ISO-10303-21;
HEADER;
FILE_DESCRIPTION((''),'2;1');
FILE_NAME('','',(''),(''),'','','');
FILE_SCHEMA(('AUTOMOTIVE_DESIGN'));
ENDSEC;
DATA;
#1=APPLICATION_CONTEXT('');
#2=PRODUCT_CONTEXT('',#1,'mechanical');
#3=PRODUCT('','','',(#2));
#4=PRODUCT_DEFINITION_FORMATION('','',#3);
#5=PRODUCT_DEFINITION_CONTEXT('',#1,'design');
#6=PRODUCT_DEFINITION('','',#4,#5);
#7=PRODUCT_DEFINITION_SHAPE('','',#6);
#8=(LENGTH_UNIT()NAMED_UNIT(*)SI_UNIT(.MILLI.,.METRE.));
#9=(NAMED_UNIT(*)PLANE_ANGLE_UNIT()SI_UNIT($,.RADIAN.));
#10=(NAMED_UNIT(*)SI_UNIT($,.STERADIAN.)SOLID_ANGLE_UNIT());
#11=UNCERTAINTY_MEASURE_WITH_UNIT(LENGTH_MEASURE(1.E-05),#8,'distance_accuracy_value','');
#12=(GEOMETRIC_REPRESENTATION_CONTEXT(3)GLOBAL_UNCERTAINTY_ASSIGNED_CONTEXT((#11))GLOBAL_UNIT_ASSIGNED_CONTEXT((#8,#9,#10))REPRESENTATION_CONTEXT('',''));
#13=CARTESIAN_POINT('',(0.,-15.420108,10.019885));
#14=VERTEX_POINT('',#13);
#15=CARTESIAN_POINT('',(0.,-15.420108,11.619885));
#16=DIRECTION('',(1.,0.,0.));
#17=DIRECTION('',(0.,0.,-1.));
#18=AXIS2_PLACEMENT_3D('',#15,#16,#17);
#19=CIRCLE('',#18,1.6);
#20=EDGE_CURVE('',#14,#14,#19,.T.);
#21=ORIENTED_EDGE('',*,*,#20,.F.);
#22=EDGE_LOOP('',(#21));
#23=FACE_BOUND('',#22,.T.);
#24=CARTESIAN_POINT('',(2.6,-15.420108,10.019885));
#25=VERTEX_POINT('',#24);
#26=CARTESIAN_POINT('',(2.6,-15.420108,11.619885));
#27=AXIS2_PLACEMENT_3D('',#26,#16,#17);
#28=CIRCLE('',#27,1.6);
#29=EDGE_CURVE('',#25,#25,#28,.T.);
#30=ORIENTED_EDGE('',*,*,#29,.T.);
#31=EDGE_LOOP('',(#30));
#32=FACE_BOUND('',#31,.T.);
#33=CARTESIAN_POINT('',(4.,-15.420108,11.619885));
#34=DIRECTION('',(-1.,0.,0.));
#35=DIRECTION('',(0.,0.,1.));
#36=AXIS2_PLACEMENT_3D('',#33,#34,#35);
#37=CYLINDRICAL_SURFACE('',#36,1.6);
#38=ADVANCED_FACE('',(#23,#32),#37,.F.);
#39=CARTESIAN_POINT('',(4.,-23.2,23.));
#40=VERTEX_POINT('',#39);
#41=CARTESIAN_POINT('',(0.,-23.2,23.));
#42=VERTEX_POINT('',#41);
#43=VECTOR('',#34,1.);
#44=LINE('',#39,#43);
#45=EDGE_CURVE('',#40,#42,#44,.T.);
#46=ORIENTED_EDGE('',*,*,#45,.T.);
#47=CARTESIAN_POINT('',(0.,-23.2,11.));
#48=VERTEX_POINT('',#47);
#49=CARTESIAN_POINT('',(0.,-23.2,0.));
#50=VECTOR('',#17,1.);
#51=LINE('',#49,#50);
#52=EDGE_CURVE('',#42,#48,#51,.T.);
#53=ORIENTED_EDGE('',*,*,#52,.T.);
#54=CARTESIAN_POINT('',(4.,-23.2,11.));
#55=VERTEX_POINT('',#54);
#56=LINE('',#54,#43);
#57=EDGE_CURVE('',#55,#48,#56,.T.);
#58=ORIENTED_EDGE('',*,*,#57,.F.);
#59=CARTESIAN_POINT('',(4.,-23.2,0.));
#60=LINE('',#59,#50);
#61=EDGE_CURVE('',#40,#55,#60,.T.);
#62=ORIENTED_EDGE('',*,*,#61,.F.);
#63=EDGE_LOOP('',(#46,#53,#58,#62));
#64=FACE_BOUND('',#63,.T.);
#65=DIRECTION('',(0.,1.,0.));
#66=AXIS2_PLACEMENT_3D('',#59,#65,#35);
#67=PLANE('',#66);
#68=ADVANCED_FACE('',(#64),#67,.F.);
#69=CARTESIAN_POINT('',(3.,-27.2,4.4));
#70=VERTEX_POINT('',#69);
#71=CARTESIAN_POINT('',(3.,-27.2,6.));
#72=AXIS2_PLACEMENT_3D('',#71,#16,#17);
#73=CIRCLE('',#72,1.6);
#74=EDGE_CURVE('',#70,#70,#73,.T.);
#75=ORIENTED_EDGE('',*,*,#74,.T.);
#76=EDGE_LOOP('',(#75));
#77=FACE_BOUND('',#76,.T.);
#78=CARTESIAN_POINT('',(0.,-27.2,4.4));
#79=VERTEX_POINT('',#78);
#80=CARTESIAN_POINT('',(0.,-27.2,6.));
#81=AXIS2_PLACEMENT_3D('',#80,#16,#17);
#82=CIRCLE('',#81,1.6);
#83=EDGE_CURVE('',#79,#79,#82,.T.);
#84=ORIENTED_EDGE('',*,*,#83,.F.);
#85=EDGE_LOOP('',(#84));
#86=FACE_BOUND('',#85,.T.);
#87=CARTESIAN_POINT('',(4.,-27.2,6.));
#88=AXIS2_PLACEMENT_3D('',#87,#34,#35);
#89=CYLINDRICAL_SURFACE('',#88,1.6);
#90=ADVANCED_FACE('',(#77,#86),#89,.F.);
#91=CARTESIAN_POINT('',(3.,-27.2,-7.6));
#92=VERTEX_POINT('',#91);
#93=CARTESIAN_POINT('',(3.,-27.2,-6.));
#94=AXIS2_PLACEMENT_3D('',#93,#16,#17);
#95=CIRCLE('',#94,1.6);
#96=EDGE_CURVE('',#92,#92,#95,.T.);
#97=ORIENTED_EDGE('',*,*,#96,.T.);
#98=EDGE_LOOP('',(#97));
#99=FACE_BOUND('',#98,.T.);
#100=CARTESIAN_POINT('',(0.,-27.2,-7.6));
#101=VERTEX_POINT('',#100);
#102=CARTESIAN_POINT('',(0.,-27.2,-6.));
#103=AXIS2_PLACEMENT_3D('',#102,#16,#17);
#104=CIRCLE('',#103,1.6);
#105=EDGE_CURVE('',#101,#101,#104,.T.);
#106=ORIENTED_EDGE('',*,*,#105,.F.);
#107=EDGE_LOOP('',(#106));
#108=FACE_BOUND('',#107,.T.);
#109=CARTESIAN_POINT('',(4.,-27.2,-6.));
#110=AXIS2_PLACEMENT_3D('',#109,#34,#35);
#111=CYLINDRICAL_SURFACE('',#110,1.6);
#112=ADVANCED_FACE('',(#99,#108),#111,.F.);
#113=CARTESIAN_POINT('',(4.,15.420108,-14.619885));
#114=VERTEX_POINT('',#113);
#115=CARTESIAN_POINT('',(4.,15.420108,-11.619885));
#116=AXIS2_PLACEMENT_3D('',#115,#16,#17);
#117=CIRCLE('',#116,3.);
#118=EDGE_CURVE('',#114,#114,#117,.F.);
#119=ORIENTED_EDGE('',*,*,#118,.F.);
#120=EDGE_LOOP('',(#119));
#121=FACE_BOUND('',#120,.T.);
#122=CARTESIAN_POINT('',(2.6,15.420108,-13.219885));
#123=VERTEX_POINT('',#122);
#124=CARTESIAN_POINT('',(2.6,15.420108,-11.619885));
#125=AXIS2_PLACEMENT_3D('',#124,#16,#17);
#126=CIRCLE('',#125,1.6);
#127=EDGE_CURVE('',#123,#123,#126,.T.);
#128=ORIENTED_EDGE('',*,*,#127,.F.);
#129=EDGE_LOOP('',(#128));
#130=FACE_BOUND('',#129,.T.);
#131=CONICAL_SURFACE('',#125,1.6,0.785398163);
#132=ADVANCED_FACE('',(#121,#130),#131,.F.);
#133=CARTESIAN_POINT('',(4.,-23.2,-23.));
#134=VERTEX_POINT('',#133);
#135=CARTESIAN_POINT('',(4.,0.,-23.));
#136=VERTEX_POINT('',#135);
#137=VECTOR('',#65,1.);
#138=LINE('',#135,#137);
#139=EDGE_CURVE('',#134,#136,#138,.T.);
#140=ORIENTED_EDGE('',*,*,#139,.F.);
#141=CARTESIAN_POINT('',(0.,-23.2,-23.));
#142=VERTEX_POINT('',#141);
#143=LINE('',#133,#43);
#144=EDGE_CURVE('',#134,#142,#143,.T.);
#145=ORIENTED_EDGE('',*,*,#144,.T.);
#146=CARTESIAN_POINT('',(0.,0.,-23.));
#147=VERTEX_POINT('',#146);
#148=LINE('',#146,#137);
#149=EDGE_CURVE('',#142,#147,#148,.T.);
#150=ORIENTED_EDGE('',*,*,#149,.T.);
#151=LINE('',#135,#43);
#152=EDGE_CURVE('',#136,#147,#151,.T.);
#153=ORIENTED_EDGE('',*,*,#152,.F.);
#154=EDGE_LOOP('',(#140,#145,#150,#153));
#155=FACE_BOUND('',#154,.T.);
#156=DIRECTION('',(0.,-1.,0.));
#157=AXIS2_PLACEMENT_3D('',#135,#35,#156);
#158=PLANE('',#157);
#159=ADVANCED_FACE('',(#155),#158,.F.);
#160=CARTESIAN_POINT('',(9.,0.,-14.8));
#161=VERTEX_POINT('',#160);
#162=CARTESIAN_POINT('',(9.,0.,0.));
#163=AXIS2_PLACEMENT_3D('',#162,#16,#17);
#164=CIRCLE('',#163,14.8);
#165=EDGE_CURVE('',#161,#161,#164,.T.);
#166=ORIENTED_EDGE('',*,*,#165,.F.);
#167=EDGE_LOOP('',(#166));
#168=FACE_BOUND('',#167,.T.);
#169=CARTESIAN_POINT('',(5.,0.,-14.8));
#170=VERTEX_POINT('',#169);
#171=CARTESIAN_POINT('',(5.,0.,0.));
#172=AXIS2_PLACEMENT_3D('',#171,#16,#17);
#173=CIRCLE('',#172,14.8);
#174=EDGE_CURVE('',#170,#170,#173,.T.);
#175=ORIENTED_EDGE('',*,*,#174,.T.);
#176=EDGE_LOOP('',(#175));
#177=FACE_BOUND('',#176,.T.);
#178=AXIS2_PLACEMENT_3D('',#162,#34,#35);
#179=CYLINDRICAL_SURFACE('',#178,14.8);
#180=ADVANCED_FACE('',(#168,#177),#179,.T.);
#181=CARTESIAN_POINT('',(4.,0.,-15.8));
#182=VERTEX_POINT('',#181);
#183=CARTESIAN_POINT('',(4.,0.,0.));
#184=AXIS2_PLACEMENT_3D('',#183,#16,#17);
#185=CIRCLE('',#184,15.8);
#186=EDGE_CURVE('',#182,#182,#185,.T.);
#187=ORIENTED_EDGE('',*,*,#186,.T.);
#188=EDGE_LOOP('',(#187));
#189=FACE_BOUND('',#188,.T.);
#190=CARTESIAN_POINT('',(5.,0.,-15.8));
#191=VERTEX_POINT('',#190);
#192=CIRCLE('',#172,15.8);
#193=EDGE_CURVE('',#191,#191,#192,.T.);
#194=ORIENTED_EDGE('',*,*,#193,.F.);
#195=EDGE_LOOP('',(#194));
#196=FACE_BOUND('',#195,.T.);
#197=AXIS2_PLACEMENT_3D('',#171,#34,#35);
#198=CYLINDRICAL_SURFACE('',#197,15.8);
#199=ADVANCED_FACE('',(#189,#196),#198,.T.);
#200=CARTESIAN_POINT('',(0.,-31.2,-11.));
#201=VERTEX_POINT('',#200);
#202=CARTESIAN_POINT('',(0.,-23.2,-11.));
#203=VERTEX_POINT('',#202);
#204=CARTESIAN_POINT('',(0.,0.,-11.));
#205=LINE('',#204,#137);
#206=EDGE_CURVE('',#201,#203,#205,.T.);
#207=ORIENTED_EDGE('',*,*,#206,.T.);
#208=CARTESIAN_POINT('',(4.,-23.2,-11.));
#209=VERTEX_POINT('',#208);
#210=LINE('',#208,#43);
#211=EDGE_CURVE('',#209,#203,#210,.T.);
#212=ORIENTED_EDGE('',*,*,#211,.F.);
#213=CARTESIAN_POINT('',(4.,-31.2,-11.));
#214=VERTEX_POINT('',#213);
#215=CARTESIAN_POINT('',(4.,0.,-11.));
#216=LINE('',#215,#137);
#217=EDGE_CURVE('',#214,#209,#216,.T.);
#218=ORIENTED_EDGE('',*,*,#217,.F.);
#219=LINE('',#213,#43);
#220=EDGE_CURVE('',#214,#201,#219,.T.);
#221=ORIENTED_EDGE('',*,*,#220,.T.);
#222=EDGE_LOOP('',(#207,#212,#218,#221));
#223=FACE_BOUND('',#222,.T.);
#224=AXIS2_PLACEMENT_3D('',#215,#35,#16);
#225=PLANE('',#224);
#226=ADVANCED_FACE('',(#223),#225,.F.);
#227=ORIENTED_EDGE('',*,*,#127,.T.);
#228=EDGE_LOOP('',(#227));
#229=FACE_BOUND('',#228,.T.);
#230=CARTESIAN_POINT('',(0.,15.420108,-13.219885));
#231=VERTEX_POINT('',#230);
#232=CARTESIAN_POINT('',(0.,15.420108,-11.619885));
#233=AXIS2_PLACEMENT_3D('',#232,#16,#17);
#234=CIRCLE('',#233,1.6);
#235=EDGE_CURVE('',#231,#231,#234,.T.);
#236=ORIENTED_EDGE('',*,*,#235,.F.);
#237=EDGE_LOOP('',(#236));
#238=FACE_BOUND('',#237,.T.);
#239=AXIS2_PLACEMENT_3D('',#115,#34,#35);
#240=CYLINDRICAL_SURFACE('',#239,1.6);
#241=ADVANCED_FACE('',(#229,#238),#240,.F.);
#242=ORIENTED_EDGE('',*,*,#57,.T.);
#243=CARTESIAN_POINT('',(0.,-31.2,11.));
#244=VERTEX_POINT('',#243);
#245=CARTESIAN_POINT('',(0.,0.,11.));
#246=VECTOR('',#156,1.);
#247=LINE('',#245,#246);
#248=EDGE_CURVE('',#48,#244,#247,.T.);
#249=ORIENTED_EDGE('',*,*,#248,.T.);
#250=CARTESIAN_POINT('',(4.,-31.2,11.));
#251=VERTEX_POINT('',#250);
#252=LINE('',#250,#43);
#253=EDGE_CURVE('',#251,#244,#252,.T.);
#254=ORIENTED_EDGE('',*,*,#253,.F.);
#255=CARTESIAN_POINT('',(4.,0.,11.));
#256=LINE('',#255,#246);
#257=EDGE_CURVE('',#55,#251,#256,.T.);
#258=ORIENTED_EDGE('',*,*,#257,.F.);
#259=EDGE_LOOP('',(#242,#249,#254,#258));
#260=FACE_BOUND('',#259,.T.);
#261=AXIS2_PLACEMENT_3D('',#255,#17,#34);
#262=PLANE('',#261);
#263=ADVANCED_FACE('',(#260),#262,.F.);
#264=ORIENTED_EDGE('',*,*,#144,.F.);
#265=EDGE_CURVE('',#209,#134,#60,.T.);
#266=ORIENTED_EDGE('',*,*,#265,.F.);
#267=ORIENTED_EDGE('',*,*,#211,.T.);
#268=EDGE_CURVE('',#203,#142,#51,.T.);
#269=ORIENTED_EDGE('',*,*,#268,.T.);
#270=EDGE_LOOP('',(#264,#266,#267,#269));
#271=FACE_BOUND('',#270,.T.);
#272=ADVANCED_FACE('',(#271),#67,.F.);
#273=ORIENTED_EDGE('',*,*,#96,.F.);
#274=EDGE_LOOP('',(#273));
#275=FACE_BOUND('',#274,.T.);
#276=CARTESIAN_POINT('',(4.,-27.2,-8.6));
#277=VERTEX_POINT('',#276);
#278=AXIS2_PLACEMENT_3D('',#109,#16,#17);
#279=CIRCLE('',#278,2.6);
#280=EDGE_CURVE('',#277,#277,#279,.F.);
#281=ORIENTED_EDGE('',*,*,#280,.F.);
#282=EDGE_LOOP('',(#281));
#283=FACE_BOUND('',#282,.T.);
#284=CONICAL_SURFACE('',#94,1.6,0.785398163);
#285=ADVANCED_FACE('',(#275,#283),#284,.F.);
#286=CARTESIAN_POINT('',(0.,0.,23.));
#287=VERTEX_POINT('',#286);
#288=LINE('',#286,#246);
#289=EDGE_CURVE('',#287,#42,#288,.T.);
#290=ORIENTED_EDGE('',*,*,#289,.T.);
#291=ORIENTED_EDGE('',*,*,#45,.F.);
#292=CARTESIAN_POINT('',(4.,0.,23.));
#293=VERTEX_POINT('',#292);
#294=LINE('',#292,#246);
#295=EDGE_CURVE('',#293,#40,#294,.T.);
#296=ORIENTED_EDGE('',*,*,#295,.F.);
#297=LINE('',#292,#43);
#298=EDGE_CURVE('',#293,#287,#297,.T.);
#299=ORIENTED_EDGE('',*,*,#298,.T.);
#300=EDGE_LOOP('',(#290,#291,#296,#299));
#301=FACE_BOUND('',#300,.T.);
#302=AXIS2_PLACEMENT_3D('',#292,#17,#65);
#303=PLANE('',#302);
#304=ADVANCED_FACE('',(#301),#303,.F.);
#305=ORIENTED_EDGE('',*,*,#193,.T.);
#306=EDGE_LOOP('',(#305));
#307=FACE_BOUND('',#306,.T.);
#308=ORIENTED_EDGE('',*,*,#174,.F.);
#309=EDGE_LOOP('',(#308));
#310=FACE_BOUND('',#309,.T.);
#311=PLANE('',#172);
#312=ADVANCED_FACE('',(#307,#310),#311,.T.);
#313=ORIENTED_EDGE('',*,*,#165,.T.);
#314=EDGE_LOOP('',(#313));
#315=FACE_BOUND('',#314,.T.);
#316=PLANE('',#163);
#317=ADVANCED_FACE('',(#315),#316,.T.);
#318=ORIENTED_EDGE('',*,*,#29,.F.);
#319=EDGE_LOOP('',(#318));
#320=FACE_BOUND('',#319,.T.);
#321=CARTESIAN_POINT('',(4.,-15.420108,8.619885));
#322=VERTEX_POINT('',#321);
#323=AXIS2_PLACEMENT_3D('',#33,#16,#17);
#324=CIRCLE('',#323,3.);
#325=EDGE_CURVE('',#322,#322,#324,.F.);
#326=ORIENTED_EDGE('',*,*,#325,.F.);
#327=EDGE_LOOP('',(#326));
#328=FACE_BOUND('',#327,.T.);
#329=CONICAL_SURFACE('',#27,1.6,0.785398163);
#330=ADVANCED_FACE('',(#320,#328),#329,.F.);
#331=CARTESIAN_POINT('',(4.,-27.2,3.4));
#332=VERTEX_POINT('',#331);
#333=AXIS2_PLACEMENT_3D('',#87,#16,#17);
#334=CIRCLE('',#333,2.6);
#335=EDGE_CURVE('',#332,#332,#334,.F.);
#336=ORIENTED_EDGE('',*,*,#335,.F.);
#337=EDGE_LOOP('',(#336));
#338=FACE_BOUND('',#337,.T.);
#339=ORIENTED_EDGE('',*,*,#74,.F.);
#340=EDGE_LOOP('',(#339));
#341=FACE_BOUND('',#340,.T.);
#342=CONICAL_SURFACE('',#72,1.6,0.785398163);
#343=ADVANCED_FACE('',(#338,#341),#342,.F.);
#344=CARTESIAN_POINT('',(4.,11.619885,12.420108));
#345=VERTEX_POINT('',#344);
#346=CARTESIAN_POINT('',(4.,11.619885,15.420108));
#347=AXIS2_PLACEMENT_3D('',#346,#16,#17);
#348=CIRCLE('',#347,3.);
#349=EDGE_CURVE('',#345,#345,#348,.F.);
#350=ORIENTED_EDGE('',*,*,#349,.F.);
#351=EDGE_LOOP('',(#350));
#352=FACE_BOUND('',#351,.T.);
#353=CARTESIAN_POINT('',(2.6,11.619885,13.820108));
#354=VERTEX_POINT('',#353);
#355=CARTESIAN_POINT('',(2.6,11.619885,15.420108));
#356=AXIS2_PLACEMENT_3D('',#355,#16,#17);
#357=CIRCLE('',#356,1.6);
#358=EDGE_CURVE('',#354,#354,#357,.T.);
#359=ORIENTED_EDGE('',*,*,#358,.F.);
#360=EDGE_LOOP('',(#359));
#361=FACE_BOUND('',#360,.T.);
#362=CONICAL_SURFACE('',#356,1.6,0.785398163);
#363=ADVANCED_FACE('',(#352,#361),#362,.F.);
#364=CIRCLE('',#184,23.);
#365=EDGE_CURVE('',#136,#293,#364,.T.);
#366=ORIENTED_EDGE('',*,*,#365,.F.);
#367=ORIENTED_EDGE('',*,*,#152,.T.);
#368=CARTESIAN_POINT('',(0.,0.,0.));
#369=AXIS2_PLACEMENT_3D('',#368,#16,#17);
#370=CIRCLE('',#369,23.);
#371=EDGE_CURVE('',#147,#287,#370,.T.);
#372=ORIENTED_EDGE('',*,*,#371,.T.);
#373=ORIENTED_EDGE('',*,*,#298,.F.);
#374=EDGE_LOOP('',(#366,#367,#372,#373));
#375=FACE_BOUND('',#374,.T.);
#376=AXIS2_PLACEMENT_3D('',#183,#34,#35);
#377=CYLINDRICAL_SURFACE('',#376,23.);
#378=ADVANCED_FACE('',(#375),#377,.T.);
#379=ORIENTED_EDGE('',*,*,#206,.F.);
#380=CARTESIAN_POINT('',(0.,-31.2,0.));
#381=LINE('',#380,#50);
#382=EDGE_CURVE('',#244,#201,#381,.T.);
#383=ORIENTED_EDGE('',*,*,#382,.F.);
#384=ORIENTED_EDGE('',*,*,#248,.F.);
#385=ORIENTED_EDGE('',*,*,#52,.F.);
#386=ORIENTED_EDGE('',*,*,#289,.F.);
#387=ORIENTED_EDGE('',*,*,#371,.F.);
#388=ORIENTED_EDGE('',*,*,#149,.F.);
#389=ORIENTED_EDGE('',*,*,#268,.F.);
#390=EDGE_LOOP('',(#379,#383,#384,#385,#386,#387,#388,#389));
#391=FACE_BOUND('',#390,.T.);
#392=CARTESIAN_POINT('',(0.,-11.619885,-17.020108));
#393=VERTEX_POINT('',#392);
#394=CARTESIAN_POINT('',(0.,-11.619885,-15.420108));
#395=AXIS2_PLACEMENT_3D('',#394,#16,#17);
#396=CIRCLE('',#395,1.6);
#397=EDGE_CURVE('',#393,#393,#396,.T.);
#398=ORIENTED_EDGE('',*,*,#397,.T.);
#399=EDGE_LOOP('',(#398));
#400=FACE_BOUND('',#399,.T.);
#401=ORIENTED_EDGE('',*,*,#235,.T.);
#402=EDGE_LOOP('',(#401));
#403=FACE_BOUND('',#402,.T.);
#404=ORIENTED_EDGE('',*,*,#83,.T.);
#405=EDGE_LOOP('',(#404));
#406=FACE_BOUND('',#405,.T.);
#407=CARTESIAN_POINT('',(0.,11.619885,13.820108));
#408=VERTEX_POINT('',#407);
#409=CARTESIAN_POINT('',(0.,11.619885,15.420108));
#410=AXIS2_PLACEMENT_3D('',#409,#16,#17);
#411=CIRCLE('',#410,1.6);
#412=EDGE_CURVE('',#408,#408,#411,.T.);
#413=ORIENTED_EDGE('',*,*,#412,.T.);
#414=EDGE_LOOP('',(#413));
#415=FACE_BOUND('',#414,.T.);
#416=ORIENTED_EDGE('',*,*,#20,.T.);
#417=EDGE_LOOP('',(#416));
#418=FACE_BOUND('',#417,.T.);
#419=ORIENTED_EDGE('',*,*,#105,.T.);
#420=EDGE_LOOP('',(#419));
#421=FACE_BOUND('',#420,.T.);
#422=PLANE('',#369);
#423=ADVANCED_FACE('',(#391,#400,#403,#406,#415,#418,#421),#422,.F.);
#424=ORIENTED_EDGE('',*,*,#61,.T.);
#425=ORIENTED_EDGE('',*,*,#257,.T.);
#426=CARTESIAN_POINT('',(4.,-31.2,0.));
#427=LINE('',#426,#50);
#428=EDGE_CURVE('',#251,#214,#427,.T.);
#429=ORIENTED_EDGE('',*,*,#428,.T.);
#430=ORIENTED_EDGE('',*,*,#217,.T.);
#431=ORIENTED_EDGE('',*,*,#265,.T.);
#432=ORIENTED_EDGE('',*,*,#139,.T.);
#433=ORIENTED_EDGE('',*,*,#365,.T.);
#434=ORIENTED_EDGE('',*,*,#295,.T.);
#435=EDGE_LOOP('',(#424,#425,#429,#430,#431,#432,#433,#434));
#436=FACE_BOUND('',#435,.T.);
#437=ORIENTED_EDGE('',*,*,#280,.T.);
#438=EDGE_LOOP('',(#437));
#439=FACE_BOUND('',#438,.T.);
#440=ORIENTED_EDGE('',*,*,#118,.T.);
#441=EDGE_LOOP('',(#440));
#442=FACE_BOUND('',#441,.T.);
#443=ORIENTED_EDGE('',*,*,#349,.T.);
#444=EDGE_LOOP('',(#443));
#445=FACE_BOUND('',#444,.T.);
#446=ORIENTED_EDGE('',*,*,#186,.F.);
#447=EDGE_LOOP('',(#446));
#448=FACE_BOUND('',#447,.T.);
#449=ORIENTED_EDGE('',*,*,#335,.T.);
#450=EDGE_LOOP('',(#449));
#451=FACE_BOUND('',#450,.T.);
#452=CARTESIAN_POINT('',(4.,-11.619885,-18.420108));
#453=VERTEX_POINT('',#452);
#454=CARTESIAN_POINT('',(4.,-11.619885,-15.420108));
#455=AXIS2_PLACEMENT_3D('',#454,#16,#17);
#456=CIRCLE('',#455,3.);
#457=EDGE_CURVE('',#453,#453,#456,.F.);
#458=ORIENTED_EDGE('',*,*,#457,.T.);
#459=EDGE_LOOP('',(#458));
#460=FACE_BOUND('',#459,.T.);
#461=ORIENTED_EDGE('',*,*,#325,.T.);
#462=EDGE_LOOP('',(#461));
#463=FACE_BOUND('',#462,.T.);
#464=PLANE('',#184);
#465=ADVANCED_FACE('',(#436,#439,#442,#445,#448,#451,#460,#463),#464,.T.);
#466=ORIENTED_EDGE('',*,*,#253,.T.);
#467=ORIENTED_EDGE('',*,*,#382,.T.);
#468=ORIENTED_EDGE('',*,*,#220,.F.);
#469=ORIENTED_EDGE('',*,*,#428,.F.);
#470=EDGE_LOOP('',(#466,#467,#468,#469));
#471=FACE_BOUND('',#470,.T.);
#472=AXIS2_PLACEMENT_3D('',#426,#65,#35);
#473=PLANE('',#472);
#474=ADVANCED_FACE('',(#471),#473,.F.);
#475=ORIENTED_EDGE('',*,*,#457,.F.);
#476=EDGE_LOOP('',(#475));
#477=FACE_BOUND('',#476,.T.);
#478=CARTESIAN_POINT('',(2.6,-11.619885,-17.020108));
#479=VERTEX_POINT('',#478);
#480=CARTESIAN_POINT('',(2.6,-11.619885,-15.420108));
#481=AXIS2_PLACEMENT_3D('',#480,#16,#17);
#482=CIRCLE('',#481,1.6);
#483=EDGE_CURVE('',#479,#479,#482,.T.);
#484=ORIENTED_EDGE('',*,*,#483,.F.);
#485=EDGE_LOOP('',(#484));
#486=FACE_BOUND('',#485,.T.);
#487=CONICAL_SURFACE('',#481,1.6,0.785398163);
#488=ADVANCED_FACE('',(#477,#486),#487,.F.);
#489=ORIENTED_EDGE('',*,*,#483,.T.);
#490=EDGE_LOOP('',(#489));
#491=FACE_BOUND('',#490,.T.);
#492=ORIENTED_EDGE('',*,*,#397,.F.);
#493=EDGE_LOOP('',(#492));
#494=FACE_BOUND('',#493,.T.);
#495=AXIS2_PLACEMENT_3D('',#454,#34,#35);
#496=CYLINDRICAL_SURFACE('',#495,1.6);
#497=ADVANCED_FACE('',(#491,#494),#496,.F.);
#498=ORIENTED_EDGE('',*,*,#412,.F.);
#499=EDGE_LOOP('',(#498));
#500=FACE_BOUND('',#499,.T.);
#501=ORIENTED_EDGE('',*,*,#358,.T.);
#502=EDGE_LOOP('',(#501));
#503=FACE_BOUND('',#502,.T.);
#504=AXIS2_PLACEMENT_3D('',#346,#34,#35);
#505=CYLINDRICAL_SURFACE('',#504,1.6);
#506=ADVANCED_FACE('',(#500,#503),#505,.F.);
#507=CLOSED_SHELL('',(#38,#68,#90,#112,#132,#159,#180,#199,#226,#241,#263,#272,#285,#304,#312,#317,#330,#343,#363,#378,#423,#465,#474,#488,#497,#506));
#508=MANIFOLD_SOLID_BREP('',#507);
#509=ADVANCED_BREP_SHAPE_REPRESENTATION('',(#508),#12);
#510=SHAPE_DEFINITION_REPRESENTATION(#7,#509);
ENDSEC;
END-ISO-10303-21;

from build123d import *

# Parameters (mm, degrees)
SKETCH_1_R      = 1.6
SKETCH_1_R_2    = 14.8
EXTRUDE_4_DEPTH = 4
SKETCH_1_6_W    = 22
SKETCH_1_6_H    = 8
SKETCH_1_6_R    = 1.6
EXTRUDE_5_DEPTH = 4
CHAMFER_1_SIZE  = 1.4
CHAMFER_2_SIZE  = 1
CHAMFER_3_SIZE  = 1
SKETCH_1_7_R    = 14.8
EXTRUDE_6_DEPTH = 9
SKETCH_2_R      = 15.8
EXTRUDE_7_DEPTH = 1


with BuildPart() as part:
    # 草图1 → 凸台-拉伸4 (new body)
    with BuildSketch(Plane(origin=(0, 0, 0), x_dir=(0, 0, -1), z_dir=(1, 0, 0))):
        with BuildLine():
            Line((23, -23.2), (23, 0))
            ThreePointArc((23, 0), (0, 23), (-23, 0))
            Line((-23, 0), (-23, -23.2))
            Line((-23, -23.2), (23, -23.2))
        make_face()
        with Locations((11.619884993, 15.420108208)):
            Circle(SKETCH_1_R, mode=Mode.SUBTRACT)
        with Locations((-11.619884993, -15.420108208)):
            Circle(SKETCH_1_R, mode=Mode.SUBTRACT)
        with Locations((15.420108208, -11.619884993)):
            Circle(SKETCH_1_R, mode=Mode.SUBTRACT)
        with Locations((-15.420108208, 11.619884993)):
            Circle(SKETCH_1_R, mode=Mode.SUBTRACT)
        Circle(SKETCH_1_R_2, mode=Mode.SUBTRACT)
    extrude(amount=EXTRUDE_4_DEPTH)

    # 草图1<6> → 凸台-拉伸5 (add)
    with BuildSketch(Plane(origin=(0, 0, 0), x_dir=(0, 0, -1), z_dir=(1, 0, 0))):
        with Locations((0, -27.2)):
            Rectangle(SKETCH_1_6_W, SKETCH_1_6_H)
        with Locations((-6, -27.2)):
            Circle(SKETCH_1_6_R, mode=Mode.SUBTRACT)
        with Locations((6, -27.2)):
            Circle(SKETCH_1_6_R, mode=Mode.SUBTRACT)
    extrude(amount=EXTRUDE_5_DEPTH)

    # 倒角1
    chamfer_1_edges = [part.edges().sort_by_distance(p)[0] for p in [
        (4, -15.420108208, 13.219884993),
        (4, -11.619884993, -13.820108208),
        (4, 15.420108208, -10.019884993),
        (4, 11.619884993, 17.020108208),
    ]]
    chamfer(chamfer_1_edges, length=CHAMFER_1_SIZE)

    # 倒角2
    chamfer_2_edges = [part.edges().sort_by_distance(p)[0] for p in [
        (4, -27.2, 7.6),
    ]]
    chamfer(chamfer_2_edges, length=CHAMFER_2_SIZE)

    # 倒角3
    chamfer_3_edges = [part.edges().sort_by_distance(p)[0] for p in [
        (4, -27.2, -4.4),
    ]]
    chamfer(chamfer_3_edges, length=CHAMFER_3_SIZE)

    # 草图1<7> → 凸台-拉伸6 (add)
    with BuildSketch(Plane(origin=(0, 0, 0), x_dir=(0, 0, -1), z_dir=(1, 0, 0))):
        Circle(SKETCH_1_7_R)
    extrude(amount=EXTRUDE_6_DEPTH)

    # 草图2 → 凸台-拉伸7 (add)
    with BuildSketch(Plane(origin=(4, 0, 0), x_dir=(0, 0, -1), z_dir=(1, 0, 0))):
        Circle(SKETCH_2_R)
    extrude(amount=EXTRUDE_7_DEPTH)


solid = part.part
